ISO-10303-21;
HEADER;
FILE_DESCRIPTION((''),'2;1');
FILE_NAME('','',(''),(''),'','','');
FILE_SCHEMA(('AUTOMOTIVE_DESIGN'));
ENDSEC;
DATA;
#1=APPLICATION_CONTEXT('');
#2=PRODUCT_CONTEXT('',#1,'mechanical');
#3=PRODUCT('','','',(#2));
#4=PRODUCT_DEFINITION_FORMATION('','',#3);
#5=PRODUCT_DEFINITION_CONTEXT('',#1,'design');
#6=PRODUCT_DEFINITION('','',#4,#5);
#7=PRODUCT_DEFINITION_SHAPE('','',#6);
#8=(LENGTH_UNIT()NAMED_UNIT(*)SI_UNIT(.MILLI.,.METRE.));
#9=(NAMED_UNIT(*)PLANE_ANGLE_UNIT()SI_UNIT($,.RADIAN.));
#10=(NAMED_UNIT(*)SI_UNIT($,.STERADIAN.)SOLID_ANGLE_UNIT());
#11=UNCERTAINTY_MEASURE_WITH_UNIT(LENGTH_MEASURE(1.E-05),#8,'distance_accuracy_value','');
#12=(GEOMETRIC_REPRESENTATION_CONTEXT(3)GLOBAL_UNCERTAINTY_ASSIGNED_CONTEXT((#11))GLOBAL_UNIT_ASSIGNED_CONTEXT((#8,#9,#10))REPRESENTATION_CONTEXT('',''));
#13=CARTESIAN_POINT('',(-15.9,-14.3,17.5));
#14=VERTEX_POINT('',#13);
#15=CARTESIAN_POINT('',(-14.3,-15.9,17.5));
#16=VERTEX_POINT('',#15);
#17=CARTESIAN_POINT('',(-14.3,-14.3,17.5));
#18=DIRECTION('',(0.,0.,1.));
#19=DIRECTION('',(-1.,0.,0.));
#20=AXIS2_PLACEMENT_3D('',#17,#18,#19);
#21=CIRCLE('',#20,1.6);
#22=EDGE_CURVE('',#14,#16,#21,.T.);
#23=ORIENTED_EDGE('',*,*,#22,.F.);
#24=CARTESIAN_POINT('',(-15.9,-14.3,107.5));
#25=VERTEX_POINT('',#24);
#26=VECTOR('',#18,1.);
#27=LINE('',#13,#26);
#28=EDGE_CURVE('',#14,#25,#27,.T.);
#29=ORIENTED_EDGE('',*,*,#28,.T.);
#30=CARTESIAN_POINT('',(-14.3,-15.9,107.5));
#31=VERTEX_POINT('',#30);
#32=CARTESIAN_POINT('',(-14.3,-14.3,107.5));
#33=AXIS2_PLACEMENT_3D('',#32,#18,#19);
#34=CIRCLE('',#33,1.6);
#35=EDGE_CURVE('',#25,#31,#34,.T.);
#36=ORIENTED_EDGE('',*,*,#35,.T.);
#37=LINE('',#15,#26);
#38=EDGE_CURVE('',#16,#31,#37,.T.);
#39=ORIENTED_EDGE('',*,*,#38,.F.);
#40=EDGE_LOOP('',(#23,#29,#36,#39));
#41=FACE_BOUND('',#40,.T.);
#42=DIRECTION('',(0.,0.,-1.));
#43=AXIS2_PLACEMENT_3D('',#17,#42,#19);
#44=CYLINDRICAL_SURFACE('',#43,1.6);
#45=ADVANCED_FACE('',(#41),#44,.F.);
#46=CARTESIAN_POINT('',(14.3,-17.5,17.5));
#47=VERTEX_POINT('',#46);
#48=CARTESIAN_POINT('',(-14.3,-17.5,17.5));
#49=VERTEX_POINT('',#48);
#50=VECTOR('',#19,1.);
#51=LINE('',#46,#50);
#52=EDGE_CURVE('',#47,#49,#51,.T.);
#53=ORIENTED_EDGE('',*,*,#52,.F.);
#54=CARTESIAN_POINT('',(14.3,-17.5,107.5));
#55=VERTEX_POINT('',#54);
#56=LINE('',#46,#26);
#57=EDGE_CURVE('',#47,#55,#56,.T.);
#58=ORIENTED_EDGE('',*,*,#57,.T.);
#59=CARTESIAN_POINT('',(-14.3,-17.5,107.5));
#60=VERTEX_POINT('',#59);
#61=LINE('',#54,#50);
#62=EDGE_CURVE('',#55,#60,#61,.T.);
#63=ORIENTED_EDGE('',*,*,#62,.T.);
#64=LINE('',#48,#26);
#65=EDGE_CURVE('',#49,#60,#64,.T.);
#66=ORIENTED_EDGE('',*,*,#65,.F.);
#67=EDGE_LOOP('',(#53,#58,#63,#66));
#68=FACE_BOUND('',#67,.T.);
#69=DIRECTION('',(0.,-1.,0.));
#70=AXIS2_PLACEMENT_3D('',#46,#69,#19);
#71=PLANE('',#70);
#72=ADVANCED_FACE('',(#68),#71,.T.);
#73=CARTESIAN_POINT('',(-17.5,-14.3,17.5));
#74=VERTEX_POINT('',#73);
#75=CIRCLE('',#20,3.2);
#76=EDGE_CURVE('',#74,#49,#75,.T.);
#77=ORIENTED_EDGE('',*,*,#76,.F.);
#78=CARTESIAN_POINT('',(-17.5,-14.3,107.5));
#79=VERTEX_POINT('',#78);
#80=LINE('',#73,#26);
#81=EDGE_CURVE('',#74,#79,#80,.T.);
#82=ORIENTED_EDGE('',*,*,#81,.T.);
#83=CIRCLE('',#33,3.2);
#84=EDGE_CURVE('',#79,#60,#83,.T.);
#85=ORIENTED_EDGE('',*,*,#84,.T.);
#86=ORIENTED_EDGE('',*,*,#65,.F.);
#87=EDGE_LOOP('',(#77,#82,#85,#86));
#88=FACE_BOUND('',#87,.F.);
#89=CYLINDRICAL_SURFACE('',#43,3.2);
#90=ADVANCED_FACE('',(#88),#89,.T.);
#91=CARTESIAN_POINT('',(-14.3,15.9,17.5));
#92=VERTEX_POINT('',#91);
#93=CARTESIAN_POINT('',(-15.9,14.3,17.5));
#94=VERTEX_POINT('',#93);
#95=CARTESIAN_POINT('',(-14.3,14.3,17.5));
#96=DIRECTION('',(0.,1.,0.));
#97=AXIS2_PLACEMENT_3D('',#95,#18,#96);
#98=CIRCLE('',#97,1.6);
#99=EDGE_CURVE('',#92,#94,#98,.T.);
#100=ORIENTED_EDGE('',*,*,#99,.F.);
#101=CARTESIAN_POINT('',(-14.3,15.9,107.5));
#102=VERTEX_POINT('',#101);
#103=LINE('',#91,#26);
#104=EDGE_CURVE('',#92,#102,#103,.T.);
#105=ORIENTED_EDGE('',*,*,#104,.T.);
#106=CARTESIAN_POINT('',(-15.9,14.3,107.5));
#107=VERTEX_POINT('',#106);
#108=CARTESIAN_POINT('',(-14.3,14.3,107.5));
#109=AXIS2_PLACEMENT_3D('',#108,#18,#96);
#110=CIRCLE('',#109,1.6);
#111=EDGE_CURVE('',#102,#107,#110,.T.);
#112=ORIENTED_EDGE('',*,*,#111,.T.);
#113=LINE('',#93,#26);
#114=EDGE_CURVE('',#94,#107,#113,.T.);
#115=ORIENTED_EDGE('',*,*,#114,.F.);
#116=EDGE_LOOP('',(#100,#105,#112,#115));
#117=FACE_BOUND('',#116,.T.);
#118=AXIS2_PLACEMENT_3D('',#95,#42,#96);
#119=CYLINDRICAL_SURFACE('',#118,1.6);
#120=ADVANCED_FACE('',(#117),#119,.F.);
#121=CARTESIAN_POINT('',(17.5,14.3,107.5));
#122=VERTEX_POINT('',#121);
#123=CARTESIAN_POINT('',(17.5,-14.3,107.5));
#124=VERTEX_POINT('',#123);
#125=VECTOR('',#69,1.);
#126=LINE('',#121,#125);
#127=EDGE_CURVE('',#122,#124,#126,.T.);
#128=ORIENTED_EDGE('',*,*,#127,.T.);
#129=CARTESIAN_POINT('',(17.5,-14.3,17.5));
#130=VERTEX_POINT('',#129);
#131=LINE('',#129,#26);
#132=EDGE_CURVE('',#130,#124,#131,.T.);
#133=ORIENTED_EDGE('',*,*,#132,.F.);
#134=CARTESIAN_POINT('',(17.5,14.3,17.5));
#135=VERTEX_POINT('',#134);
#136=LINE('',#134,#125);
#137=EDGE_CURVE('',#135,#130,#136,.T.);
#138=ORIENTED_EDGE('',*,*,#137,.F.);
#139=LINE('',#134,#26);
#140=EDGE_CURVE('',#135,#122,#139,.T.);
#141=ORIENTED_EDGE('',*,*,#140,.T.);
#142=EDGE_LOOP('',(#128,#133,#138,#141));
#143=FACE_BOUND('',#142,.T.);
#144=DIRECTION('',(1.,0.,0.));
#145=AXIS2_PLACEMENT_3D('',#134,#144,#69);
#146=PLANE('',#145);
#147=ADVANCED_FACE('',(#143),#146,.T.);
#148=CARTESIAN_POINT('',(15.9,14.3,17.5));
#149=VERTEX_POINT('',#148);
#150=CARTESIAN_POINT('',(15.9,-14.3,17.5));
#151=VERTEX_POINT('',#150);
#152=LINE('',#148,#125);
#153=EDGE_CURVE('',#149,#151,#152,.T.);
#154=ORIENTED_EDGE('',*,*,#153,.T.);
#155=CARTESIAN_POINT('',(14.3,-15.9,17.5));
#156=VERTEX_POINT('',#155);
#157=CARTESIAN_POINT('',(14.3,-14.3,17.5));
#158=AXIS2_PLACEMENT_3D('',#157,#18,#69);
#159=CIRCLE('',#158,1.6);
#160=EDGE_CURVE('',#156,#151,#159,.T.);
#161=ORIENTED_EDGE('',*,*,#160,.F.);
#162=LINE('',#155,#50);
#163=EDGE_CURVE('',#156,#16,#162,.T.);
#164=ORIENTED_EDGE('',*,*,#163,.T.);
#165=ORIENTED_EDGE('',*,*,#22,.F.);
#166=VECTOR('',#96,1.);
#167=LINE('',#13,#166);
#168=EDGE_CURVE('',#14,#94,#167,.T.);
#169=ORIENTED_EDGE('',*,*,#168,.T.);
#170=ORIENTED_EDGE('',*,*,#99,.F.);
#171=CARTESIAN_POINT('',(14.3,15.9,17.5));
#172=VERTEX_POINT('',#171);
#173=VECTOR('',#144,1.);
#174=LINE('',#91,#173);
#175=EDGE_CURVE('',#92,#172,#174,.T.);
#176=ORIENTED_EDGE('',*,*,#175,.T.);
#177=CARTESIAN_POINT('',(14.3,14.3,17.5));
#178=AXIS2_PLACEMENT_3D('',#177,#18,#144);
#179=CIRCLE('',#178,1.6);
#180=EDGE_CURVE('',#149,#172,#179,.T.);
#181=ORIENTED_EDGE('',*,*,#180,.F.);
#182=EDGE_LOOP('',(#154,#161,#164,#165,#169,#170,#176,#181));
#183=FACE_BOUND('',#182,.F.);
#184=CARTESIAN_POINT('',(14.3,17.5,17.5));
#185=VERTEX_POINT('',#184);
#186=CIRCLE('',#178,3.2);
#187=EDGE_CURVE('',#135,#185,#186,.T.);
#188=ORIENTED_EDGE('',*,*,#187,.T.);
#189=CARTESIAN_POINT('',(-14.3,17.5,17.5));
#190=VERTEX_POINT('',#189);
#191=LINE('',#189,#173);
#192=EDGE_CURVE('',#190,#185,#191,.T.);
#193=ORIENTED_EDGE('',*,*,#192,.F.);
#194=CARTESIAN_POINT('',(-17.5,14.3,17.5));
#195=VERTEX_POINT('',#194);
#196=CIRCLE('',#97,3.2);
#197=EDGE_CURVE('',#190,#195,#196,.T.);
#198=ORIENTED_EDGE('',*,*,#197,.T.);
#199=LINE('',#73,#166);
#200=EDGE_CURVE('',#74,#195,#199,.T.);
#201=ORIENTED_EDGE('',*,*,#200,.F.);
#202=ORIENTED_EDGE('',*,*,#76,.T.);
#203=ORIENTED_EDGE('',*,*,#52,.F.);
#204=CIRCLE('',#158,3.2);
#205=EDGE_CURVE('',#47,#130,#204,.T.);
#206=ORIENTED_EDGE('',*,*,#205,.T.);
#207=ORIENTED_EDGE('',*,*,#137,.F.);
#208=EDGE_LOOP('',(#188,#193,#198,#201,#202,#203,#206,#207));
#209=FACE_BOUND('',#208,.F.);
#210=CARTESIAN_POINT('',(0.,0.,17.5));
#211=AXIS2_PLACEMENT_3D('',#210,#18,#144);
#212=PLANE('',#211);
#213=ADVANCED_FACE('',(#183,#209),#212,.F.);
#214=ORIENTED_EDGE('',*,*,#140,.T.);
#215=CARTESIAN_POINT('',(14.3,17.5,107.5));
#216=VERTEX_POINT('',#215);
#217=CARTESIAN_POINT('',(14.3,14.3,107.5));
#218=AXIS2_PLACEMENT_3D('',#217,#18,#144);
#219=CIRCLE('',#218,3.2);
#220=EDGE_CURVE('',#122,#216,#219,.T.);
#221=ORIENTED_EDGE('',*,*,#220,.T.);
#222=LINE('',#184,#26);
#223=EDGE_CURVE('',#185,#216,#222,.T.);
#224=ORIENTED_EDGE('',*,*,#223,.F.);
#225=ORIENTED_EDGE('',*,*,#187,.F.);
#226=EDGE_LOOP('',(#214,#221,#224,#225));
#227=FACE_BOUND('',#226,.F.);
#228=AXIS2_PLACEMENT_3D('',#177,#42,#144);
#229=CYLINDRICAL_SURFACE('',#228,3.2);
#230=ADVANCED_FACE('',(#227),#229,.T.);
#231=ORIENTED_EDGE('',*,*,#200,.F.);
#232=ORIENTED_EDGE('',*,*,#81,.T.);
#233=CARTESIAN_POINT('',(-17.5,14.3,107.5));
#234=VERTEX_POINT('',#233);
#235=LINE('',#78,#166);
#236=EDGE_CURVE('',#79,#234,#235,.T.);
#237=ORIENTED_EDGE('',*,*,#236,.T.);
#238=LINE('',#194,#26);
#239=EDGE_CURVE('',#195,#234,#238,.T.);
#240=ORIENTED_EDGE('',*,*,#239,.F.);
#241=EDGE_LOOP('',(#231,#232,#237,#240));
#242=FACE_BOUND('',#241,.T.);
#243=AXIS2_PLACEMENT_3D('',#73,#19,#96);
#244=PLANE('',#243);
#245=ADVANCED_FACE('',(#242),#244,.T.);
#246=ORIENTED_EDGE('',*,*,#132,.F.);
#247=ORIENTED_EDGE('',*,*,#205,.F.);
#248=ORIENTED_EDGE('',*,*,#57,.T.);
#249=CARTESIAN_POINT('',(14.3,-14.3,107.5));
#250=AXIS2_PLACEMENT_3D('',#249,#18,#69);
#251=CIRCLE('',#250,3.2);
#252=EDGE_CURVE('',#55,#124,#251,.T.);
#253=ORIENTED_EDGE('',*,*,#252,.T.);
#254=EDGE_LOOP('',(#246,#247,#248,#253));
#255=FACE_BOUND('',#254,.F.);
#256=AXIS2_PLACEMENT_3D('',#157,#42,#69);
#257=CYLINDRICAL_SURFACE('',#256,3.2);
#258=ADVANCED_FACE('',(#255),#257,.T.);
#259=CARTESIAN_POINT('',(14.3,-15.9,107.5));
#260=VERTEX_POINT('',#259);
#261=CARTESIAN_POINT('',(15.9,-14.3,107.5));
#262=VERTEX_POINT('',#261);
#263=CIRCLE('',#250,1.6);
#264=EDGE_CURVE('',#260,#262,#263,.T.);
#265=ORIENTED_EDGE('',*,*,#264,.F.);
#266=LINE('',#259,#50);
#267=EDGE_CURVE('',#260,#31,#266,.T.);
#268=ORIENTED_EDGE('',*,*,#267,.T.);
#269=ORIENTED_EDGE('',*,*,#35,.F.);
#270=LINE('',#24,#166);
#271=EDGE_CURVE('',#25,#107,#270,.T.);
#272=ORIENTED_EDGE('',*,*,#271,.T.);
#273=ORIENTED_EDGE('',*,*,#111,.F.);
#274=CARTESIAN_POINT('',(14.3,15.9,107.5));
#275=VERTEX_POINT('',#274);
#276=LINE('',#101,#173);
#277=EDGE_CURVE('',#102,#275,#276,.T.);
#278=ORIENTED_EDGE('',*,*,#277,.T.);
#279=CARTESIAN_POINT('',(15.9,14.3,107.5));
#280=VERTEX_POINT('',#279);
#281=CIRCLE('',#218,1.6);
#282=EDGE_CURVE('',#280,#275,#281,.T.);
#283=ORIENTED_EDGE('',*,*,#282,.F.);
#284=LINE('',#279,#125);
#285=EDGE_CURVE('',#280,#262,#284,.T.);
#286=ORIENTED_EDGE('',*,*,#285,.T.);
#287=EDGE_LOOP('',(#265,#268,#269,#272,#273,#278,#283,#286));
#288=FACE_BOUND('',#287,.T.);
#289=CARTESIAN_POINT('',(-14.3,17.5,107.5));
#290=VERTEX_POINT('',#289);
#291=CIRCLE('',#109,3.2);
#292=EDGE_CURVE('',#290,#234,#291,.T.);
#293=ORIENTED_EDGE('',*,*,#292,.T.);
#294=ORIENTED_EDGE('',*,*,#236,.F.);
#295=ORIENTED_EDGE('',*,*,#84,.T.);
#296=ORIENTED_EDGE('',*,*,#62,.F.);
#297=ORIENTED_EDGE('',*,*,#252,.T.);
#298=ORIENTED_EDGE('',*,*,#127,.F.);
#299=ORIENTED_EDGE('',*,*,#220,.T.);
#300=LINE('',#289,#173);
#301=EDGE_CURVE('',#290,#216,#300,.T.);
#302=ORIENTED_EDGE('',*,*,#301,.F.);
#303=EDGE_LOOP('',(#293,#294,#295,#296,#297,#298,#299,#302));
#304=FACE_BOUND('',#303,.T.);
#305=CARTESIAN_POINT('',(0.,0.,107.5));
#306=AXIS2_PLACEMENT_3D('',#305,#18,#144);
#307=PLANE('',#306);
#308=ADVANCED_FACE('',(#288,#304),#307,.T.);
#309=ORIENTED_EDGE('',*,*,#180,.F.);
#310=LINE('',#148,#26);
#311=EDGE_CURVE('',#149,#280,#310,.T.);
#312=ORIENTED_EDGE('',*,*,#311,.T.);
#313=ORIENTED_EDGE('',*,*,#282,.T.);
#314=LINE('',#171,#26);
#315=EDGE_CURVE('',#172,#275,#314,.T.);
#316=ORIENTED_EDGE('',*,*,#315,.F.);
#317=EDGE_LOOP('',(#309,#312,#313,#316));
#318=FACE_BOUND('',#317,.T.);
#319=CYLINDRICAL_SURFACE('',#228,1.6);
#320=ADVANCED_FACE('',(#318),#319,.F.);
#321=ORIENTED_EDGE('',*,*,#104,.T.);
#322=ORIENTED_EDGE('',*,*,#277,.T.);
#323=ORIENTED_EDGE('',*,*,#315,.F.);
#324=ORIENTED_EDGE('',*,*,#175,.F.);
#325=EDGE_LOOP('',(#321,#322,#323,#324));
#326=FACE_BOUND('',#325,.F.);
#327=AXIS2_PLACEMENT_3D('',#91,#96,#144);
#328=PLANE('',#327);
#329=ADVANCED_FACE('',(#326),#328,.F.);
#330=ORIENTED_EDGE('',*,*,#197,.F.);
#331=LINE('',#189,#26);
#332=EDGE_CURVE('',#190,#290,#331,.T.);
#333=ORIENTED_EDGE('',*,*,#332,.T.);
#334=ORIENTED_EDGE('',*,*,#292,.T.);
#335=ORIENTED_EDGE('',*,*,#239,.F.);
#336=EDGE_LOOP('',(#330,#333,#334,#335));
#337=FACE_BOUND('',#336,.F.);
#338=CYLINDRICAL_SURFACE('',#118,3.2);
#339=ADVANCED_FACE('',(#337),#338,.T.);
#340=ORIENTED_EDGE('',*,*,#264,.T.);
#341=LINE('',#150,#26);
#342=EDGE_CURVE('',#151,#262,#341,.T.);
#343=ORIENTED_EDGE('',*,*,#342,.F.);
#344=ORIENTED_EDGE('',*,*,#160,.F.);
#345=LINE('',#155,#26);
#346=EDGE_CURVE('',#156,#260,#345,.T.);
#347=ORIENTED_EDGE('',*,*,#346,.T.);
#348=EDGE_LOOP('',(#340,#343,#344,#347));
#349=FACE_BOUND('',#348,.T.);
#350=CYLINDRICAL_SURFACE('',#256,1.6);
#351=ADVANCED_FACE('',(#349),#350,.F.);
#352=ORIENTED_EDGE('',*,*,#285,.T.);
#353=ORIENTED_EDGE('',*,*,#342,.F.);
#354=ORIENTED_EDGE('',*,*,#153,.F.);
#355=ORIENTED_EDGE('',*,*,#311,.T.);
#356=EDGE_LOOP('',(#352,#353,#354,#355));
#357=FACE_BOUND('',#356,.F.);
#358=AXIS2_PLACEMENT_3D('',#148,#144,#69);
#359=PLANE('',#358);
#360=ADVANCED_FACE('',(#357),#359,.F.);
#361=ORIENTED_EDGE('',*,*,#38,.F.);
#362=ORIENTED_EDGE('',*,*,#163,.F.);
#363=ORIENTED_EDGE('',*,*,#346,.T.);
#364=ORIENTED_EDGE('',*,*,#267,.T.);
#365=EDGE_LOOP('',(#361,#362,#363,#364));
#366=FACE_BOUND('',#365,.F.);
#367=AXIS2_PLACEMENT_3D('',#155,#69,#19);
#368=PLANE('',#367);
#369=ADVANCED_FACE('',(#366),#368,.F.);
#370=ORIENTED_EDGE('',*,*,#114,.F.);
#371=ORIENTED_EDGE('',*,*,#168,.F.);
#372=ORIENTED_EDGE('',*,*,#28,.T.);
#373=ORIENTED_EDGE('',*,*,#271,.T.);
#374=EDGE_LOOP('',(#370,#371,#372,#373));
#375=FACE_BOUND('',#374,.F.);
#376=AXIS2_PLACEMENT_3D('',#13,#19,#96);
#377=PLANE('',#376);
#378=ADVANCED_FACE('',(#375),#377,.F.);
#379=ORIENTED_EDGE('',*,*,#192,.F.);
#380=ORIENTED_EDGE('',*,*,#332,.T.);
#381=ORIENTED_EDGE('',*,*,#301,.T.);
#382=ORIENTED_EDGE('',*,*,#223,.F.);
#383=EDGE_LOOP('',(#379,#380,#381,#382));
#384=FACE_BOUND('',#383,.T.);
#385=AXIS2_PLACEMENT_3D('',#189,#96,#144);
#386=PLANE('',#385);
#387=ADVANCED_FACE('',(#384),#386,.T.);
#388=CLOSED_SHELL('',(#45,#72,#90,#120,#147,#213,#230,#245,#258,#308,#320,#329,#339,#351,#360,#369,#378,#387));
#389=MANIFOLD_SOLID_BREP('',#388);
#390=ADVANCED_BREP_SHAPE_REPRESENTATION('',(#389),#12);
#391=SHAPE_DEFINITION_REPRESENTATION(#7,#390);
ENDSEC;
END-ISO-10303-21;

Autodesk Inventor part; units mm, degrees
ref_plane "Start plane" through (0, 0, 17.5) normal (0, 0, 1) x (1, 0, 0)
ref_plane "End plane" through (0, 0, 107.5) normal (0, 0, 1) x (1, 0, 0)
sketch "Sketch" plane through (0, 0, 0) normal (0, 0, 1) x (1, 0, 0)
  line L0 (-17.5, -14.3) -> (-17.5, 14.3)
  line L1 (-14.3, 17.5) -> (14.3, 17.5)
  line L2 (17.5, 14.3) -> (17.5, -14.3)
  line L3 (14.3, -17.5) -> (-14.3, -17.5)
  arc A0 (-17.5, -14.3) -> (-14.3, -17.5) centre (-14.3, -14.3) ccw
  arc A1 (-14.3, 17.5) -> (-17.5, 14.3) centre (-14.3, 14.3) ccw
  arc A2 (17.5, 14.3) -> (14.3, 17.5) centre (14.3, 14.3) ccw
  arc A3 (14.3, -17.5) -> (17.5, -14.3) centre (14.3, -14.3) ccw
  arc A4 (-14.3, 15.9) -> (-15.9, 14.3) centre (-14.3, 14.3) ccw
  line L4 (-14.3, 15.9) -> (14.3, 15.9)
  arc A5 (15.9, 14.3) -> (14.3, 15.9) centre (14.3, 14.3) ccw
  line L5 (15.9, 14.3) -> (15.9, -14.3)
  arc A6 (14.3, -15.9) -> (15.9, -14.3) centre (14.3, -14.3) ccw
  line L6 (14.3, -15.9) -> (-14.3, -15.9)
  arc A7 (-15.9, -14.3) -> (-14.3, -15.9) centre (-14.3, -14.3) ccw
  line L7 (-15.9, -14.3) -> (-15.9, 14.3)
  line L8 (0, 25.4278) -> (0, -25.4278) construction
  line L9 (-25.4278, 0) -> (25.4278, 0) construction
  dimension "d7" = 3.2
  dimension "d10" = 35
  dimension "d11" = 35
  dimension "d12" = 1.6
  dimension "d15" = 17.5
  dimension "d16" = 17.5
extrude "Body" add sketch "Sketch" along normal up to surface (90 mm away) from surface at 17.5
sketch "Sketch3" plane through (0, 0, 0) normal (0, 0, 1) x (1, 0, 0)
  line L0 (0, 0) -> (10, 0)
ref_plane "Work Plane3" through (0, 0, 0) normal (0, -1, 0) x (1, 0, 0)
sketch "Sketch4" plane through (0, 0, 0) normal (0, -1, 0) x (1, 0, 0)
  line L0 (-2, 17.5) -> (12, 17.5)
  line L1 (-2, 107.5) -> (12, 107.5)
  dimension "d18" = 90
ref_plane "Work Plane7" through (0, 0, 17.5) normal (0, 0, -1) x (-1, 0, 0)
split "Split4" plane through (0, 0, 17.5) removes the side toward (0, 0, -1)
ref_plane "Work Plane8" through (0, -61.0189, 107.5) normal (0, 0, 1) x (1, 0, 0)
split "Split5" plane through (0, -61.0189, 107.5) removes the side toward (0, 0, 1)
equation "\"d7\" = G_IR"
equation "\"d10\" = G_H"
equation "\"d11\" = G_W"
equation "\"d12\" = G_T"
equation "\"d15\" = 0.5 * d10"
equation "\"d16\" = 0.5 * d11"
equation "\"d3\" = G_L"
equation "\"G_W\" = 35"
equation "\"G_H\" = 35"
equation "\"G_T\" = 1.6"
equation "\"G_IR\" = 3.2"
equation "\"G_L\" = d18"
equation "\"G_OFFSET_START\" = -17.5"
equation "\"G_OFFSET_END\" = -17.5"
equation "\"d13\" = -G_OFFSET_START"
equation "\"d14\" = G_OFFSET_END + B_L"
equation "\"B_L\" = 125"
properties part number "AS 1163 - C350L0 35x35x1.6 SHS - 90" material "Steel, Mild"
